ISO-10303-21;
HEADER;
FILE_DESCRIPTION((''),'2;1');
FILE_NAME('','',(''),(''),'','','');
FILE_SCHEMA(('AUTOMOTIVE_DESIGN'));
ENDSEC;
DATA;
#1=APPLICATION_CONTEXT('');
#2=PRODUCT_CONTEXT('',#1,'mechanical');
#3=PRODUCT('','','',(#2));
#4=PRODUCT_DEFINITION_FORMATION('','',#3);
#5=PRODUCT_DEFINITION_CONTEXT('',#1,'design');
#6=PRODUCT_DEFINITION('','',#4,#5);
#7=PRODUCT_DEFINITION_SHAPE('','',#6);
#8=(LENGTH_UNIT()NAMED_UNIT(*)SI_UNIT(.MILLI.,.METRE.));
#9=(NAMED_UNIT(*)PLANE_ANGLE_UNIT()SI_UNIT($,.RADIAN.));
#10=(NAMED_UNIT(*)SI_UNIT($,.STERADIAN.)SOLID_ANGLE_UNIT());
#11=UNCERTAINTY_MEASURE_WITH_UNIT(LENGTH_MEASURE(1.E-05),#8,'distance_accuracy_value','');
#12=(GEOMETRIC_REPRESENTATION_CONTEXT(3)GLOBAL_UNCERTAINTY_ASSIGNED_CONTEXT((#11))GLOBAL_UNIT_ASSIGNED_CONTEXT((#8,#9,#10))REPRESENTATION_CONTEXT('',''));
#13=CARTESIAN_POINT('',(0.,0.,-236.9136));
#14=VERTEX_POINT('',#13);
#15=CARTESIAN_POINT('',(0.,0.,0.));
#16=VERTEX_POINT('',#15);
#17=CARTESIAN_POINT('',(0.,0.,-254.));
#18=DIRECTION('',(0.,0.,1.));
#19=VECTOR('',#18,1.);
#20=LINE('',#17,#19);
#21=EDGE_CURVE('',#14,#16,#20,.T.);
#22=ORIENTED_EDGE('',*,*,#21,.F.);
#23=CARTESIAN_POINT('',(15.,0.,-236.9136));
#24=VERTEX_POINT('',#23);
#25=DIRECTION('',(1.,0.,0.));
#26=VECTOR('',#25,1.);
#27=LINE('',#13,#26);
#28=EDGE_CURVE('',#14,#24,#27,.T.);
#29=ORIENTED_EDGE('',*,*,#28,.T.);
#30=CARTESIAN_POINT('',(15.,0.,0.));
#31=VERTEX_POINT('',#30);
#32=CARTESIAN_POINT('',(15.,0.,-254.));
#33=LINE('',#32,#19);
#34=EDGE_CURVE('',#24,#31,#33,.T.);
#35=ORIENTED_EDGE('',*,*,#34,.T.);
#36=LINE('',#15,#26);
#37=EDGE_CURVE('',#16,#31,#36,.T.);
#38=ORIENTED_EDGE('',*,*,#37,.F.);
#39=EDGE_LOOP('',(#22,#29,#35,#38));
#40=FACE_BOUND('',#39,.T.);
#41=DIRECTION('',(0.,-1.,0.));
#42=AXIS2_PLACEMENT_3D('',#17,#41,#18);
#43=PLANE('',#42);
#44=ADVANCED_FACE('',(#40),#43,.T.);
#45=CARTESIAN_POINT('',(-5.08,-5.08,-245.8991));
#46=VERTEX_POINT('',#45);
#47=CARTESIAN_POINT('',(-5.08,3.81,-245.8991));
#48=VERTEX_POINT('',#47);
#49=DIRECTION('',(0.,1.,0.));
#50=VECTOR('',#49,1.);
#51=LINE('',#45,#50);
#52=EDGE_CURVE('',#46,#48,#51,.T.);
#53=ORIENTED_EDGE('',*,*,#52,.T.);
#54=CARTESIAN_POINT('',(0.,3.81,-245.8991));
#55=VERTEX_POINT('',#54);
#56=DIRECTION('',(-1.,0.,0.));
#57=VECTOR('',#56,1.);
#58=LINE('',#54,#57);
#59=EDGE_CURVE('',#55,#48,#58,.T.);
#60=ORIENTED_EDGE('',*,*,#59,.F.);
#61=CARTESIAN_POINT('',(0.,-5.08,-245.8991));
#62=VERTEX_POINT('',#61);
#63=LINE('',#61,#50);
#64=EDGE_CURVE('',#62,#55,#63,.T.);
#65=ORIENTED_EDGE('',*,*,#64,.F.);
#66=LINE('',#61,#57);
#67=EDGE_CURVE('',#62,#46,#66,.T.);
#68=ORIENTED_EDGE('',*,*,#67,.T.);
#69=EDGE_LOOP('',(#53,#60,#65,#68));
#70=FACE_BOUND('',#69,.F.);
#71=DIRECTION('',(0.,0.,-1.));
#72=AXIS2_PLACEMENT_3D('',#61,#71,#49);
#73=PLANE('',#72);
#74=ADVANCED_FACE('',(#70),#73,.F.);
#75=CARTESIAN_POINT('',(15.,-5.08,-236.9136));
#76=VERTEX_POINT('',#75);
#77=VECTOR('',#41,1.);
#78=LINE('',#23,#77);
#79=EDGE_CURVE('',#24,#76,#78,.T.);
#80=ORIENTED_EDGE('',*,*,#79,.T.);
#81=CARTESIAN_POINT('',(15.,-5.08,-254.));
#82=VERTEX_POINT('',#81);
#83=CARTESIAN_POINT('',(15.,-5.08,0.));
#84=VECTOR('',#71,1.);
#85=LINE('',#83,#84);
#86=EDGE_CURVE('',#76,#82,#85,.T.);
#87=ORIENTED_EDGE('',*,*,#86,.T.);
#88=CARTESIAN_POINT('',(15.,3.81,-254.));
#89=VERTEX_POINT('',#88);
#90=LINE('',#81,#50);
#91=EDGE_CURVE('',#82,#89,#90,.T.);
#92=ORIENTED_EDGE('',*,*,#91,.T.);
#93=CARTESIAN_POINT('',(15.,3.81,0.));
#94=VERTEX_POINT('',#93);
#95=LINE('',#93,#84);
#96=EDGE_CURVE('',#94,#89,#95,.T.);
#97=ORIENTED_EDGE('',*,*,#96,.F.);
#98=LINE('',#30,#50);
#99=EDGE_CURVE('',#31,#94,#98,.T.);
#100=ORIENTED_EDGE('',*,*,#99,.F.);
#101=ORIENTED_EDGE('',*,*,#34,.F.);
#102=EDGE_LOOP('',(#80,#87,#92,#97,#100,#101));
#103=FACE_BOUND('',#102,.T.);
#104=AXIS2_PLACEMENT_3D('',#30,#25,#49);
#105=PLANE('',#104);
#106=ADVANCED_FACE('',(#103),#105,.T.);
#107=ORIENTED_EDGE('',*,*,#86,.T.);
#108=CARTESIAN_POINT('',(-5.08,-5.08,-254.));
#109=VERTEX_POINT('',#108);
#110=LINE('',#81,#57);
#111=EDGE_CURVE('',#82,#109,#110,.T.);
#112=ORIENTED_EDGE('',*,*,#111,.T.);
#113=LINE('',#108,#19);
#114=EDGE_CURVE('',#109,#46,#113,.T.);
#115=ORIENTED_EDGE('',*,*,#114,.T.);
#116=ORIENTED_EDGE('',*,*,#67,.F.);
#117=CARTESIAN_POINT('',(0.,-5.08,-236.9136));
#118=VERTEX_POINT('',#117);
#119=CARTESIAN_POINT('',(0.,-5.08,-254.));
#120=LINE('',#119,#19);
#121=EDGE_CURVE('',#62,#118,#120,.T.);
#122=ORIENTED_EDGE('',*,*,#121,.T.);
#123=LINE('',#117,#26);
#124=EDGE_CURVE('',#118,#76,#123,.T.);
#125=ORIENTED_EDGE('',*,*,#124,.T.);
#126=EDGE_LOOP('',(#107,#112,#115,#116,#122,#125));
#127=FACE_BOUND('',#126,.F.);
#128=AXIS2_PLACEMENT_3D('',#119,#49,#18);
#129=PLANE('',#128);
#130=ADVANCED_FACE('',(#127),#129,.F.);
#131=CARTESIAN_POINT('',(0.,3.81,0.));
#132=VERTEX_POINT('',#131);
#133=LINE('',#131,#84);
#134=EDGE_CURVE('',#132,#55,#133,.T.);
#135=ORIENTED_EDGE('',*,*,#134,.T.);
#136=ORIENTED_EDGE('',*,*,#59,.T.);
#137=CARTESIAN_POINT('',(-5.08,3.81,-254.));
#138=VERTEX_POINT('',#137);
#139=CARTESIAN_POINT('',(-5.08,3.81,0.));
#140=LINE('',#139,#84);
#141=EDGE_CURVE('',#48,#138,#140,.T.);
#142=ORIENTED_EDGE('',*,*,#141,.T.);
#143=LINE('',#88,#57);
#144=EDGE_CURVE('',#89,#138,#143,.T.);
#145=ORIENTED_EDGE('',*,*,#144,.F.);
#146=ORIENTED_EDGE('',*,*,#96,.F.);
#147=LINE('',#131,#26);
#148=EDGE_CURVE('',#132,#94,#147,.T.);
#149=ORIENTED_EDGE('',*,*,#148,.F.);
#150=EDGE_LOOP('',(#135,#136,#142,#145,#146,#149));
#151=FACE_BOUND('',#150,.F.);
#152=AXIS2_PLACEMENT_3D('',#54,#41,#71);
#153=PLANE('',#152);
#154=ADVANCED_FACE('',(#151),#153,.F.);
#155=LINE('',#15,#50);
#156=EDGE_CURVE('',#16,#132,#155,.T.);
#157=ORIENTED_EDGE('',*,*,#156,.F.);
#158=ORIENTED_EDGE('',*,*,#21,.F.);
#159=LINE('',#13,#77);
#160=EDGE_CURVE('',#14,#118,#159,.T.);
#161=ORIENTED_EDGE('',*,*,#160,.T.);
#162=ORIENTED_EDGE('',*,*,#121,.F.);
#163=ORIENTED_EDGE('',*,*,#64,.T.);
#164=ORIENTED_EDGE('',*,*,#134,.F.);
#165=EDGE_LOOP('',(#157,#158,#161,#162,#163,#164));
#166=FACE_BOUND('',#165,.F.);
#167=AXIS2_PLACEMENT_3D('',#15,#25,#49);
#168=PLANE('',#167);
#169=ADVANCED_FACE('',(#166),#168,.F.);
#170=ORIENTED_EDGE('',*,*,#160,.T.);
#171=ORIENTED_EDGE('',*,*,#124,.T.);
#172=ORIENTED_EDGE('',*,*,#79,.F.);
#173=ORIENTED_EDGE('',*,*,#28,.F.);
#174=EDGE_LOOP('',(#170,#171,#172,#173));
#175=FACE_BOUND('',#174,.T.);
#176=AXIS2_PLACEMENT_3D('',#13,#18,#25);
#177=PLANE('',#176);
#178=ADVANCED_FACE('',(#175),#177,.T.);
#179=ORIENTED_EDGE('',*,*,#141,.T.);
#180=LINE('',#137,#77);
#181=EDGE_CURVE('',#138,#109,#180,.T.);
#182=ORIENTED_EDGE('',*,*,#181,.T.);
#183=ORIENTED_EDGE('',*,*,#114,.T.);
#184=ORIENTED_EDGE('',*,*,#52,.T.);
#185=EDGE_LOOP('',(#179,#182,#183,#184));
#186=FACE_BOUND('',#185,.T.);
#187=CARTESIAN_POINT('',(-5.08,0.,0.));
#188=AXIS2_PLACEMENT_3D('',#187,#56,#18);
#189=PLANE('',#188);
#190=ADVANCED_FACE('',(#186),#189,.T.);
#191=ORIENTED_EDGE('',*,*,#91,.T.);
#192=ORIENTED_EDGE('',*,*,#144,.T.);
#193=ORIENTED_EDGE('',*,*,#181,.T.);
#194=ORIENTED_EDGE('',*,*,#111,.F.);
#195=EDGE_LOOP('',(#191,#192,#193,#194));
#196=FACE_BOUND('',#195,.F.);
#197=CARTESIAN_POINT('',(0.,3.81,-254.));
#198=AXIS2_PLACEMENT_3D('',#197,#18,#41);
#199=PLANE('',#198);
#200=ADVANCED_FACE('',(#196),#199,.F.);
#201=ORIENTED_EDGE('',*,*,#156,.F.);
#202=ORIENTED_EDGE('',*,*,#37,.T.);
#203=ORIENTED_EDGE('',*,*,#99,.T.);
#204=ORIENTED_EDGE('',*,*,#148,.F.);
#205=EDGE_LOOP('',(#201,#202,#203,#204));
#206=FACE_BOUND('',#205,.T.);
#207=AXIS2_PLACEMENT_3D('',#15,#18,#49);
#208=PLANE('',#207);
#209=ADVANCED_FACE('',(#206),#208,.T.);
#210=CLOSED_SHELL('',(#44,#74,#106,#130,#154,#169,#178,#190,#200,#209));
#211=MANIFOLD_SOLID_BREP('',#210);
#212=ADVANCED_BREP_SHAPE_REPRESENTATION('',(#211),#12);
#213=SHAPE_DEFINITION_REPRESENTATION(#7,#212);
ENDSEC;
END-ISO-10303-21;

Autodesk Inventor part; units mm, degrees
ref_plane "YZ Plane" through (0, 0, 0) normal (1, 0, 0) x (0, 1, 0)
ref_plane "XZ Plane" through (0, 0, 0) normal (0, 1, 0) x (-1, 0, 0)
ref_plane "XY Plane" through (0, 0, 0) normal (0, 0, 1) x (1, 0, 0)
sketch "Sketch1" plane through (0, 0, 0) normal (1, 0, 0) x (0, 1, 0)
  line L0 (0, 0) -> (3.81, 0)
  line L1 (3.81, 0) -> (3.81, -254)
  line L2 (3.81, -254) -> (0, -254)
  line L3 (0, -254) -> (0, 0)
  dimension "d0" = 254
  dimension "d1" = 3.81
extrude "Extrusion1" add sketch "Sketch1" along normal blind 15
sketch "Sketch2" plane through (0, 0, -254) normal (0, -1, 0) x (1, 0, 0)
  line L0 (15, 254) -> (15, 0) projected
  line L1 (0, 0) -> (0, 254) projected
  line L2 (15, 0) -> (0, 0)
  line L3 (0, 0) -> (0, 17.0864)
  line L4 (0, 17.0864) -> (15, 17.0864)
  line L5 (15, 17.0864) -> (15, 0)
  dimension "d4" = 17.0864
extrude "Extrusion2" add sketch "Sketch2" along normal blind 5.08
sketch "Sketch3" plane through (0, 0, 0) normal (-1, 0, 0) x (0, 0, 1)
  line L0 (-254, 3.81) -> (-254, -5.08) projected
  line L1 (0, 3.81) -> (-254, 3.81) projected
  line L2 (-254, -5.08) -> (-245.8991, -5.08)
  line L3 (-245.8991, -5.08) -> (-245.8991, 3.81)
  line L4 (-245.8991, 3.81) -> (-254, 3.81)
  line L5 (-254, 3.81) -> (-254, -5.08)
  point P0 (0, 0)
  dimension "d7" = 8.1008
extrude "Extrusion3" add sketch "Sketch3" along normal blind 5.08
properties part number "rails"
